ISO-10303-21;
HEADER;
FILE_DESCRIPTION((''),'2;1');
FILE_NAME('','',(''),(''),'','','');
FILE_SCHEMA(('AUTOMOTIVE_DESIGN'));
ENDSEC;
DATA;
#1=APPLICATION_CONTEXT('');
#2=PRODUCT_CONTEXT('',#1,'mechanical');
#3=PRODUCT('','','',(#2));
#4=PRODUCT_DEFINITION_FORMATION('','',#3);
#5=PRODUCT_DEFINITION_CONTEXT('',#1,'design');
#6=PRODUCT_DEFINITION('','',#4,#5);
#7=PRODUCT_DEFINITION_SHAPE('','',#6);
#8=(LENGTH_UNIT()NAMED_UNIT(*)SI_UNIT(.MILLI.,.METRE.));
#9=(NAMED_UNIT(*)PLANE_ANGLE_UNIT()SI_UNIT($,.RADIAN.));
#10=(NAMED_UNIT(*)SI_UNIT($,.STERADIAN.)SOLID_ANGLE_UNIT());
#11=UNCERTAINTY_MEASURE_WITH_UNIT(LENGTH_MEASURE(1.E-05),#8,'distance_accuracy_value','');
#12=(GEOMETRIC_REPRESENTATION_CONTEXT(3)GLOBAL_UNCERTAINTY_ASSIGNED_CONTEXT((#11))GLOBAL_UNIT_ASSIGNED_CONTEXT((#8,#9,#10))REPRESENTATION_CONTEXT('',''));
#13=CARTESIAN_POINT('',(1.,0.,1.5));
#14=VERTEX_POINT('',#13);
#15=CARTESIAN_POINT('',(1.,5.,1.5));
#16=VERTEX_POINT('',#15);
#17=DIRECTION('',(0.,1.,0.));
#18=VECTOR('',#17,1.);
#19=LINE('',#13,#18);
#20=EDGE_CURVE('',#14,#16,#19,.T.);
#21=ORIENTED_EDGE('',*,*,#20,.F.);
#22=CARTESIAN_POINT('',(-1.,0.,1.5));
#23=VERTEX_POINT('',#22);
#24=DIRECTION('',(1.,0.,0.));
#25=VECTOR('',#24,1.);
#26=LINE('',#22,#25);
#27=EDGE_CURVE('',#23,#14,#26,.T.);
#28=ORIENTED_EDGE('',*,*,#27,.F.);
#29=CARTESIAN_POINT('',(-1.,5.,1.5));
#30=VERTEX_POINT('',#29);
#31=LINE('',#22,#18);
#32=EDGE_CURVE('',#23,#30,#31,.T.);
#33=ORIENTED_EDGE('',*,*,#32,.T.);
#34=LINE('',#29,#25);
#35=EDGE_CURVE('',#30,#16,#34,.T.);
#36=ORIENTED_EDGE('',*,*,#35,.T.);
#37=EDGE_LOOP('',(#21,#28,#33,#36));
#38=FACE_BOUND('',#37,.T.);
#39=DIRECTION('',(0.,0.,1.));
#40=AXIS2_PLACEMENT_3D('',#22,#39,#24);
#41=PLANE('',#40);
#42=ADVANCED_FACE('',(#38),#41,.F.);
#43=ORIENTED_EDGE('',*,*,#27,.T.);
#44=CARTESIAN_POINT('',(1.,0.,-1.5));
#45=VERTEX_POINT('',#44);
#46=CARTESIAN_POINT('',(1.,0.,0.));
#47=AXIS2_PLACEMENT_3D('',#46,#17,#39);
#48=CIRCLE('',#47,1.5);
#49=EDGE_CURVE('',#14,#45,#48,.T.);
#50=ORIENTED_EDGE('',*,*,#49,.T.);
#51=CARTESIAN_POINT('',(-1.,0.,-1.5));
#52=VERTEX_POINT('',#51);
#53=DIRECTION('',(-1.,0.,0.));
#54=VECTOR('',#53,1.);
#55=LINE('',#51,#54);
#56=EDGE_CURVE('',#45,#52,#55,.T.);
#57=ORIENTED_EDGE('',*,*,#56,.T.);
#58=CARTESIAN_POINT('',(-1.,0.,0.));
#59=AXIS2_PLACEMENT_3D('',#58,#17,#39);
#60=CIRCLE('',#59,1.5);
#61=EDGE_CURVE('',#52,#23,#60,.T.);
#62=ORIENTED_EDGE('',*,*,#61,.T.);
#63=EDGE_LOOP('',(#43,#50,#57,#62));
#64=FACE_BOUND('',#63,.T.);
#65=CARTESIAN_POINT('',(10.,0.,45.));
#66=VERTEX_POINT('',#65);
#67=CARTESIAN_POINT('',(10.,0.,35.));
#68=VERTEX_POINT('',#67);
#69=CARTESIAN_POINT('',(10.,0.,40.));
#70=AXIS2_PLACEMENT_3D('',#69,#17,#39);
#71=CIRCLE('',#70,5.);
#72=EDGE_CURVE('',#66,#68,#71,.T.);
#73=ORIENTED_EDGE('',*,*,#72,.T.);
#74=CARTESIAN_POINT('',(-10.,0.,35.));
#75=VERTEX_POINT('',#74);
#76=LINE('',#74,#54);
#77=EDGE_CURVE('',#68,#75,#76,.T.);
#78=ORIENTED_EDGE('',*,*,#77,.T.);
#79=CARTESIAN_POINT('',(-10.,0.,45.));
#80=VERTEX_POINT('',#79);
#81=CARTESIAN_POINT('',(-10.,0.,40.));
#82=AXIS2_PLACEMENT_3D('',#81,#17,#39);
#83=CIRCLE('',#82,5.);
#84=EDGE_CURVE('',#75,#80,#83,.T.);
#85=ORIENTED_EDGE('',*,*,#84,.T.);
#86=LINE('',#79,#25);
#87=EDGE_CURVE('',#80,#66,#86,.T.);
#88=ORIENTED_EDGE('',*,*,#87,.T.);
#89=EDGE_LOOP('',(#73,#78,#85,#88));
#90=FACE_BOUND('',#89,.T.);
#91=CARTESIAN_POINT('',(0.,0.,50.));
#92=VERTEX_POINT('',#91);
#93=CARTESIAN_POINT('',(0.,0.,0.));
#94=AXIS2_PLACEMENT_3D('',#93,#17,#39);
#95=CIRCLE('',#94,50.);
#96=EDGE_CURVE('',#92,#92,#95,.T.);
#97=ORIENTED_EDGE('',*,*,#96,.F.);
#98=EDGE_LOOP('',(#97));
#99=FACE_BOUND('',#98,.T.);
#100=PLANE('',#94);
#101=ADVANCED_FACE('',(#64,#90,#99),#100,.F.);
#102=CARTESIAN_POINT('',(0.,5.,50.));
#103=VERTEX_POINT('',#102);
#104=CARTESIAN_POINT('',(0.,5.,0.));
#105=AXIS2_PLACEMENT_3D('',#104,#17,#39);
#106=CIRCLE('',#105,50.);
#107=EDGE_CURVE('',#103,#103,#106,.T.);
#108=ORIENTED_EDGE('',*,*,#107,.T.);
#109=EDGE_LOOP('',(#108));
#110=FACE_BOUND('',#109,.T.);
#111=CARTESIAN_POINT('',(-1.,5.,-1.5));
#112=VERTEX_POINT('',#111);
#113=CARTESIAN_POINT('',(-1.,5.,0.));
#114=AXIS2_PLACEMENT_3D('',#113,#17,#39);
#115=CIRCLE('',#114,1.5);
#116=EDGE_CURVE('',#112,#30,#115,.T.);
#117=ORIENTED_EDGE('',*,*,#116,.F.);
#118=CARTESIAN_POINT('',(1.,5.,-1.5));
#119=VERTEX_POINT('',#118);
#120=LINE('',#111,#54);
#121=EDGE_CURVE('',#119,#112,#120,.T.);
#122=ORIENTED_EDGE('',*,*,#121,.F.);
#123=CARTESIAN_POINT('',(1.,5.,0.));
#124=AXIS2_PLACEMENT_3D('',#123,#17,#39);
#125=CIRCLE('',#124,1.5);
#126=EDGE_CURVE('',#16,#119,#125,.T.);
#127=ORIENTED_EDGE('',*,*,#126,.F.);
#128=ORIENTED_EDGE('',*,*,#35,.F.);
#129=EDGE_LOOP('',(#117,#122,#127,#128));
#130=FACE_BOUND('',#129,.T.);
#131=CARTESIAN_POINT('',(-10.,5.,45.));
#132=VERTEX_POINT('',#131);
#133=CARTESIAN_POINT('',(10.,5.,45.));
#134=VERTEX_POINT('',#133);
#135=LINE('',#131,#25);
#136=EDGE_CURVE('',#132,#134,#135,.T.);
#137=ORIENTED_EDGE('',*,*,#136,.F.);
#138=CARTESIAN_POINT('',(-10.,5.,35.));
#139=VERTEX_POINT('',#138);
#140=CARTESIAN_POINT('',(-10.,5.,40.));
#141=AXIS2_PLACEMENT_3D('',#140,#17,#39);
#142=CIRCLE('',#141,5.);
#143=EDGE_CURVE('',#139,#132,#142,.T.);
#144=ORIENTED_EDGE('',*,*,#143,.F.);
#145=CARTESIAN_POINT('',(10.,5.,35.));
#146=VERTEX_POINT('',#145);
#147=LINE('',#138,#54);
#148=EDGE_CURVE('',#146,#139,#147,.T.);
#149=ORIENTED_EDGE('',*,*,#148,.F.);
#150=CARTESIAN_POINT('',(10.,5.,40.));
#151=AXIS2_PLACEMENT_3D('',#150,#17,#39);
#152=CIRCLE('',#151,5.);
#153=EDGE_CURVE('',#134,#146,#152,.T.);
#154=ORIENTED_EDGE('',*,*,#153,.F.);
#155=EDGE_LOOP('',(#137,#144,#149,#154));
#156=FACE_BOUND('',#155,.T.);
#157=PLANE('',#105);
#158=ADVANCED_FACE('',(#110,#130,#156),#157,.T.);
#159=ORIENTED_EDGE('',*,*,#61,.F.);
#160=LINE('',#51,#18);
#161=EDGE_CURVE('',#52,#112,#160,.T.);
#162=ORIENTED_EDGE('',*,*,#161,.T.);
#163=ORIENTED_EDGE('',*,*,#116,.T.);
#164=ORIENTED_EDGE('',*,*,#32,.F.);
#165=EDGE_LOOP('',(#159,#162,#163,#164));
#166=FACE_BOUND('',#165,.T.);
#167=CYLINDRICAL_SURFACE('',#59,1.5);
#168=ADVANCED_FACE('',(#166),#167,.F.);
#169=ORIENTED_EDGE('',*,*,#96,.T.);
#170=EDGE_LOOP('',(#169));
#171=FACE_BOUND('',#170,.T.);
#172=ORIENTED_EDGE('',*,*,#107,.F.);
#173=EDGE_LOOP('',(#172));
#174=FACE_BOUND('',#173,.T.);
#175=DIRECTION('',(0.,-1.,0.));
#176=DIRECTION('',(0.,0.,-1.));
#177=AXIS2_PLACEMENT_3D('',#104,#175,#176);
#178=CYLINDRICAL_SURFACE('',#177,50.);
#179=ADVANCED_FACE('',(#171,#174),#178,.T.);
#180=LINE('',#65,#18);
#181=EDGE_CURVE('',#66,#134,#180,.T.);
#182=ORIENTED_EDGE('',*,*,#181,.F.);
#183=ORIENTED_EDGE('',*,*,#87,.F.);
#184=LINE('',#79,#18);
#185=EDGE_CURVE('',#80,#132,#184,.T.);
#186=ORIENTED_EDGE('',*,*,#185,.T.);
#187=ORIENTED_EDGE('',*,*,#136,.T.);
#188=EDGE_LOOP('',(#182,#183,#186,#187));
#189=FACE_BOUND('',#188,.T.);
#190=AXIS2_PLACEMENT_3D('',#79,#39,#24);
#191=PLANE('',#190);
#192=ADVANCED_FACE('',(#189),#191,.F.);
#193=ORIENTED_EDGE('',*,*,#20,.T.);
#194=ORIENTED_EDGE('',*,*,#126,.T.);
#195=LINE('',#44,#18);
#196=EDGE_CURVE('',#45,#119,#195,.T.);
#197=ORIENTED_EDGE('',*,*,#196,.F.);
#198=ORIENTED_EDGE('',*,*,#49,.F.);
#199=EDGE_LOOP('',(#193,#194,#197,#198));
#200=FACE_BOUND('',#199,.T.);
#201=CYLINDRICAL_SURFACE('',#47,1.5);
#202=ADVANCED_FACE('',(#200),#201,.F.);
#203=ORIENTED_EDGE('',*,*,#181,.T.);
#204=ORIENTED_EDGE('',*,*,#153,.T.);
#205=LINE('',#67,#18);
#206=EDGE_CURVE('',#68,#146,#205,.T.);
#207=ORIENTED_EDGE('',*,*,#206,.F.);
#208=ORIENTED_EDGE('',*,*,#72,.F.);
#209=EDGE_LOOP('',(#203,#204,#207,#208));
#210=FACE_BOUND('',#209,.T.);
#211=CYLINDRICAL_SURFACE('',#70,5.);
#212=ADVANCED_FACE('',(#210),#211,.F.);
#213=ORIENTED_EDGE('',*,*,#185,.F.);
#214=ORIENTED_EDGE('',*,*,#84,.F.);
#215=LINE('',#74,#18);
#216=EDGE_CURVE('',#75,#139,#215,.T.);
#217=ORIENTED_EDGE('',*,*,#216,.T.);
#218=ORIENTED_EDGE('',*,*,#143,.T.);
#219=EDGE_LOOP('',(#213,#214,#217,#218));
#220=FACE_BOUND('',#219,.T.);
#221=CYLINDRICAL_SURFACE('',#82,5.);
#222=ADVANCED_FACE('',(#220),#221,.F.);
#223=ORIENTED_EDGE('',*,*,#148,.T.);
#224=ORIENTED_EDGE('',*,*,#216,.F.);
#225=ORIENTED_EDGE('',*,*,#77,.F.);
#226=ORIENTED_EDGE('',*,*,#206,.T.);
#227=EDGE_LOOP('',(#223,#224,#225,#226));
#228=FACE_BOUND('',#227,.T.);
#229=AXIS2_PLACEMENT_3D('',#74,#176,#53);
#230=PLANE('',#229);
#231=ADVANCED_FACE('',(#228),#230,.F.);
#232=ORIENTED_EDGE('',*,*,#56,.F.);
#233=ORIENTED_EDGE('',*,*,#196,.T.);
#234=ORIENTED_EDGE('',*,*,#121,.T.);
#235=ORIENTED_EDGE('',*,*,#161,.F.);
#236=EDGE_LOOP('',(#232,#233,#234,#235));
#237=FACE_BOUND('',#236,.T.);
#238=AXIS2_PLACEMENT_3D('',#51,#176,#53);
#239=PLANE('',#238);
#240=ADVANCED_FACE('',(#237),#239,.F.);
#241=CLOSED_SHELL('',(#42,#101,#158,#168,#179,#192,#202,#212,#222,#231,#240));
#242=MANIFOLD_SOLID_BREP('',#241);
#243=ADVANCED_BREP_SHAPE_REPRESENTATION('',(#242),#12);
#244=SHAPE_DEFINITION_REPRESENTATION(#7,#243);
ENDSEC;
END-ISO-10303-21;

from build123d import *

# Parameters (mm, degrees)
SKETCH1_R           = 50
BOSS_EXTRUDE1_DEPTH = 5
CUT_EXTRUDE1_DEPTH  = 6
CUT_EXTRUDE2_DEPTH  = 6


with BuildPart() as part:
    # Sketch1 → Boss-Extrude1 (new body)
    with BuildSketch(Plane(origin=(0, 0, 0), x_dir=(1, 0, 0), z_dir=(0, 1, 0))):
        Circle(SKETCH1_R)
    extrude(amount=BOSS_EXTRUDE1_DEPTH)

    # Sketch3 → Cut-Extrude1 (cut, through all)
    with BuildSketch(Plane(origin=(0, 5, 0), x_dir=(1, 0, 0), z_dir=(0, 1, 0))):
        with BuildLine():
            Line((-1, 1.5), (1, 1.5))
            ThreePointArc((1, 1.5), (2.5, 0), (1, -1.5))
            Line((1, -1.5), (-1, -1.5))
            ThreePointArc((-1, -1.5), (-2.5, 0), (-1, 1.5))
        make_face()
    extrude(amount=-CUT_EXTRUDE1_DEPTH, mode=Mode.SUBTRACT)

    # Sketch5 → Cut-Extrude2 (cut, through all)
    with BuildSketch(Plane(origin=(0, 5, 0), x_dir=(1, 0, 0), z_dir=(0, 1, 0))):
        with BuildLine():
            Line((-10, -35), (10, -35))
            ThreePointArc((10, -35), (15, -40), (10, -45))
            Line((10, -45), (-10, -45))
            ThreePointArc((-10, -45), (-15, -40), (-10, -35))
        make_face()
    extrude(amount=-CUT_EXTRUDE2_DEPTH, mode=Mode.SUBTRACT)


solid = part.part
